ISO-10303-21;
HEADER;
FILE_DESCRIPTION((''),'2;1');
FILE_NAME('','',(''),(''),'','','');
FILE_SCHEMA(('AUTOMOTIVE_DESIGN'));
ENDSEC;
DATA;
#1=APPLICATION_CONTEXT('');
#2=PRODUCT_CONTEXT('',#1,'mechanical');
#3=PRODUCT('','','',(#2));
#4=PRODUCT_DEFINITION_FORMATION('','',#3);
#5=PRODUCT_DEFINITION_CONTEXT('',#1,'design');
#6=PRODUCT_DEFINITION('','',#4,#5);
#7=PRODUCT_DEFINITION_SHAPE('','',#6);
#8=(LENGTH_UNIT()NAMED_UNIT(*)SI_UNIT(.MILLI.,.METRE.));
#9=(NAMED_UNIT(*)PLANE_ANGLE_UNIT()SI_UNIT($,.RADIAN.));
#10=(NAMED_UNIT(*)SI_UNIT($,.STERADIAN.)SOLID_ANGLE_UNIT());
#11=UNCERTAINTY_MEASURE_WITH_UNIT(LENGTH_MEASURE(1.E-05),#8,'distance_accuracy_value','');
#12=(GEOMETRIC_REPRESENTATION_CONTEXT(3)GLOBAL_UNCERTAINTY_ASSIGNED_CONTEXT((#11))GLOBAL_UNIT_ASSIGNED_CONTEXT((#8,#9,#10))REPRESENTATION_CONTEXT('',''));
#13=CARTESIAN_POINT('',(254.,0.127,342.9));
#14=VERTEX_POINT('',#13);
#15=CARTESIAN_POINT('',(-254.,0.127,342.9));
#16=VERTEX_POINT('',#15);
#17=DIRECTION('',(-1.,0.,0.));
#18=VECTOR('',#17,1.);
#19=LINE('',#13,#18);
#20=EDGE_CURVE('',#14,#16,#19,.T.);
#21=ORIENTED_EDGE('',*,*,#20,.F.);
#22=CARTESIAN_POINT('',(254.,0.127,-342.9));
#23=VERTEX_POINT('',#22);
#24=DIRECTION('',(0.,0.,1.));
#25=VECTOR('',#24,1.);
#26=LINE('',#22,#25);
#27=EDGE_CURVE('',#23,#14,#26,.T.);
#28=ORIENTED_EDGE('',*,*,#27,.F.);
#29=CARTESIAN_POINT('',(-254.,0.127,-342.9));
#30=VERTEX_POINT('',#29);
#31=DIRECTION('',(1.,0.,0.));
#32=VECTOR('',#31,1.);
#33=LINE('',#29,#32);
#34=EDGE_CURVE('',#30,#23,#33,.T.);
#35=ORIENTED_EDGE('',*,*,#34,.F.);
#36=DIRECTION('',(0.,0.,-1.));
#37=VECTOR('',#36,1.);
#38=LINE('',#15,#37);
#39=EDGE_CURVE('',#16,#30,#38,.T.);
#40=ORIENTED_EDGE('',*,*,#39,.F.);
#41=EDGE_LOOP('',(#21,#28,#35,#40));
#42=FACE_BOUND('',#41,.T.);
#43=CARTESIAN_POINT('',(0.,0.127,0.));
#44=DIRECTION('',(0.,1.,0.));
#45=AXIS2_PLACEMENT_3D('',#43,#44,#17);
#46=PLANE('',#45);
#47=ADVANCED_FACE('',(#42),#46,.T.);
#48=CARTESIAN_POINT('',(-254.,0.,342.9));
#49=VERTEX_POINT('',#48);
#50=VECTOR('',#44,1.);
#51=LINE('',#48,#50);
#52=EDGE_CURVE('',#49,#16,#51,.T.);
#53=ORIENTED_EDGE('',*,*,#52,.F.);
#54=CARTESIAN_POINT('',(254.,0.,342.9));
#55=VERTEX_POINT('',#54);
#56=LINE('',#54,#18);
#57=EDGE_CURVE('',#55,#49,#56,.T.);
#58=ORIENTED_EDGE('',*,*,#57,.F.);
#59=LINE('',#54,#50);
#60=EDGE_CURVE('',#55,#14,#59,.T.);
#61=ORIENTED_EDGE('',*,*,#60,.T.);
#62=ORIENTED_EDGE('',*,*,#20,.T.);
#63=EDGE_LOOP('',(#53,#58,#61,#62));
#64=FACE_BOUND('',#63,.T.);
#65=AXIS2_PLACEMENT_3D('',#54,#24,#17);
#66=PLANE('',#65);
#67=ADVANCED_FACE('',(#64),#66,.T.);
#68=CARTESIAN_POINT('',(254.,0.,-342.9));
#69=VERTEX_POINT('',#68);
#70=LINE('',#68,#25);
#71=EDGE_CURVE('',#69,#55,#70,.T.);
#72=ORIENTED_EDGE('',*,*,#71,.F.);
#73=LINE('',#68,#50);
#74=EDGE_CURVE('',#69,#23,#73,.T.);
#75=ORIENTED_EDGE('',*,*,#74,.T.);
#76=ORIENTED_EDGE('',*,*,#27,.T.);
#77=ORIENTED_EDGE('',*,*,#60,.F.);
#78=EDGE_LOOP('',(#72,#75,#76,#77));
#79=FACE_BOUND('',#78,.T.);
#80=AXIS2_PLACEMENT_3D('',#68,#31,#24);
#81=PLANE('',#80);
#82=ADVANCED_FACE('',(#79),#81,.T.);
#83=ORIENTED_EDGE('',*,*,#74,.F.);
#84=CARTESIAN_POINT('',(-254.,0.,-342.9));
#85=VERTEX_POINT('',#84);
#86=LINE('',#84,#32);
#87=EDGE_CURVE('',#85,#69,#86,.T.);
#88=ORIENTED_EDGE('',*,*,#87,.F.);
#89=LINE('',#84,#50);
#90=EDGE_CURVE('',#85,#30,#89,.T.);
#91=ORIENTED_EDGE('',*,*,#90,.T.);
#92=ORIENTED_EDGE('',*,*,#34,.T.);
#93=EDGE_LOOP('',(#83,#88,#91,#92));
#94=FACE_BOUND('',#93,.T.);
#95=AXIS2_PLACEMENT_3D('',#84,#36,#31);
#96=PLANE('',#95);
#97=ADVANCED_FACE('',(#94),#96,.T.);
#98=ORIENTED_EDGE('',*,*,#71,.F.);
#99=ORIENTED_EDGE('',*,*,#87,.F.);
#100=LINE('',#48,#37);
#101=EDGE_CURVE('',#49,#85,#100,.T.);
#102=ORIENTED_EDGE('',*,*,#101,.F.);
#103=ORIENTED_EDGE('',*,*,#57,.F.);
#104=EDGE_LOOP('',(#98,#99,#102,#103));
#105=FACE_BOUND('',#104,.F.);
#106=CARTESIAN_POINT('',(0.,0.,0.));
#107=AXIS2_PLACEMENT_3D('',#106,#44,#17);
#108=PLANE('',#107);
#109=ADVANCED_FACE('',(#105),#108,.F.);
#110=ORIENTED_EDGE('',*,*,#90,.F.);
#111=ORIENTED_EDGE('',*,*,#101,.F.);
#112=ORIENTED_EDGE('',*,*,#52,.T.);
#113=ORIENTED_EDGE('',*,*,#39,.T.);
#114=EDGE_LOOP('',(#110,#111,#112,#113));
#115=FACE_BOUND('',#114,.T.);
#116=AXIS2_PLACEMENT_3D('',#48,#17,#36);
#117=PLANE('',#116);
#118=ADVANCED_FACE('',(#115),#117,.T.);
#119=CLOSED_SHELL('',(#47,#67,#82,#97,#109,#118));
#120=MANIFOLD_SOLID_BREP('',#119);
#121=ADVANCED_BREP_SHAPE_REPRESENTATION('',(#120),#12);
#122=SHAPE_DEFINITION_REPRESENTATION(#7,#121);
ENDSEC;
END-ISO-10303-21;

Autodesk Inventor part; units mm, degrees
ref_plane "YZ Plane" through (0, 0, 0) normal (1, 0, 0) x (0, 1, 0)
ref_plane "XZ Plane" through (0, 0, 0) normal (0, 1, 0) x (-1, 0, 0)
ref_plane "XY Plane" through (0, 0, 0) normal (0, 0, 1) x (1, 0, 0)
sketch "Sketch1" plane through (0, 0, 0) normal (0, 1, 0) x (-1, 0, 0)
  line L0 (254, -342.9) -> (-254, -342.9)
  line L1 (-254, -342.9) -> (-254, 342.9)
  line L2 (-254, 342.9) -> (254, 342.9)
  line L3 (254, 342.9) -> (254, -342.9)
  line L4 (254, -342.9) -> (-254, 342.9) construction
  line L5 (-254, -342.9) -> (254, 342.9) construction
  point P0 (0, 0)
  dimension "d0" = 508
  dimension "d1" = 685.8
extrude "Extrusion1" add sketch "Sketch1" along normal blind 0.127
properties part number "Paper"
